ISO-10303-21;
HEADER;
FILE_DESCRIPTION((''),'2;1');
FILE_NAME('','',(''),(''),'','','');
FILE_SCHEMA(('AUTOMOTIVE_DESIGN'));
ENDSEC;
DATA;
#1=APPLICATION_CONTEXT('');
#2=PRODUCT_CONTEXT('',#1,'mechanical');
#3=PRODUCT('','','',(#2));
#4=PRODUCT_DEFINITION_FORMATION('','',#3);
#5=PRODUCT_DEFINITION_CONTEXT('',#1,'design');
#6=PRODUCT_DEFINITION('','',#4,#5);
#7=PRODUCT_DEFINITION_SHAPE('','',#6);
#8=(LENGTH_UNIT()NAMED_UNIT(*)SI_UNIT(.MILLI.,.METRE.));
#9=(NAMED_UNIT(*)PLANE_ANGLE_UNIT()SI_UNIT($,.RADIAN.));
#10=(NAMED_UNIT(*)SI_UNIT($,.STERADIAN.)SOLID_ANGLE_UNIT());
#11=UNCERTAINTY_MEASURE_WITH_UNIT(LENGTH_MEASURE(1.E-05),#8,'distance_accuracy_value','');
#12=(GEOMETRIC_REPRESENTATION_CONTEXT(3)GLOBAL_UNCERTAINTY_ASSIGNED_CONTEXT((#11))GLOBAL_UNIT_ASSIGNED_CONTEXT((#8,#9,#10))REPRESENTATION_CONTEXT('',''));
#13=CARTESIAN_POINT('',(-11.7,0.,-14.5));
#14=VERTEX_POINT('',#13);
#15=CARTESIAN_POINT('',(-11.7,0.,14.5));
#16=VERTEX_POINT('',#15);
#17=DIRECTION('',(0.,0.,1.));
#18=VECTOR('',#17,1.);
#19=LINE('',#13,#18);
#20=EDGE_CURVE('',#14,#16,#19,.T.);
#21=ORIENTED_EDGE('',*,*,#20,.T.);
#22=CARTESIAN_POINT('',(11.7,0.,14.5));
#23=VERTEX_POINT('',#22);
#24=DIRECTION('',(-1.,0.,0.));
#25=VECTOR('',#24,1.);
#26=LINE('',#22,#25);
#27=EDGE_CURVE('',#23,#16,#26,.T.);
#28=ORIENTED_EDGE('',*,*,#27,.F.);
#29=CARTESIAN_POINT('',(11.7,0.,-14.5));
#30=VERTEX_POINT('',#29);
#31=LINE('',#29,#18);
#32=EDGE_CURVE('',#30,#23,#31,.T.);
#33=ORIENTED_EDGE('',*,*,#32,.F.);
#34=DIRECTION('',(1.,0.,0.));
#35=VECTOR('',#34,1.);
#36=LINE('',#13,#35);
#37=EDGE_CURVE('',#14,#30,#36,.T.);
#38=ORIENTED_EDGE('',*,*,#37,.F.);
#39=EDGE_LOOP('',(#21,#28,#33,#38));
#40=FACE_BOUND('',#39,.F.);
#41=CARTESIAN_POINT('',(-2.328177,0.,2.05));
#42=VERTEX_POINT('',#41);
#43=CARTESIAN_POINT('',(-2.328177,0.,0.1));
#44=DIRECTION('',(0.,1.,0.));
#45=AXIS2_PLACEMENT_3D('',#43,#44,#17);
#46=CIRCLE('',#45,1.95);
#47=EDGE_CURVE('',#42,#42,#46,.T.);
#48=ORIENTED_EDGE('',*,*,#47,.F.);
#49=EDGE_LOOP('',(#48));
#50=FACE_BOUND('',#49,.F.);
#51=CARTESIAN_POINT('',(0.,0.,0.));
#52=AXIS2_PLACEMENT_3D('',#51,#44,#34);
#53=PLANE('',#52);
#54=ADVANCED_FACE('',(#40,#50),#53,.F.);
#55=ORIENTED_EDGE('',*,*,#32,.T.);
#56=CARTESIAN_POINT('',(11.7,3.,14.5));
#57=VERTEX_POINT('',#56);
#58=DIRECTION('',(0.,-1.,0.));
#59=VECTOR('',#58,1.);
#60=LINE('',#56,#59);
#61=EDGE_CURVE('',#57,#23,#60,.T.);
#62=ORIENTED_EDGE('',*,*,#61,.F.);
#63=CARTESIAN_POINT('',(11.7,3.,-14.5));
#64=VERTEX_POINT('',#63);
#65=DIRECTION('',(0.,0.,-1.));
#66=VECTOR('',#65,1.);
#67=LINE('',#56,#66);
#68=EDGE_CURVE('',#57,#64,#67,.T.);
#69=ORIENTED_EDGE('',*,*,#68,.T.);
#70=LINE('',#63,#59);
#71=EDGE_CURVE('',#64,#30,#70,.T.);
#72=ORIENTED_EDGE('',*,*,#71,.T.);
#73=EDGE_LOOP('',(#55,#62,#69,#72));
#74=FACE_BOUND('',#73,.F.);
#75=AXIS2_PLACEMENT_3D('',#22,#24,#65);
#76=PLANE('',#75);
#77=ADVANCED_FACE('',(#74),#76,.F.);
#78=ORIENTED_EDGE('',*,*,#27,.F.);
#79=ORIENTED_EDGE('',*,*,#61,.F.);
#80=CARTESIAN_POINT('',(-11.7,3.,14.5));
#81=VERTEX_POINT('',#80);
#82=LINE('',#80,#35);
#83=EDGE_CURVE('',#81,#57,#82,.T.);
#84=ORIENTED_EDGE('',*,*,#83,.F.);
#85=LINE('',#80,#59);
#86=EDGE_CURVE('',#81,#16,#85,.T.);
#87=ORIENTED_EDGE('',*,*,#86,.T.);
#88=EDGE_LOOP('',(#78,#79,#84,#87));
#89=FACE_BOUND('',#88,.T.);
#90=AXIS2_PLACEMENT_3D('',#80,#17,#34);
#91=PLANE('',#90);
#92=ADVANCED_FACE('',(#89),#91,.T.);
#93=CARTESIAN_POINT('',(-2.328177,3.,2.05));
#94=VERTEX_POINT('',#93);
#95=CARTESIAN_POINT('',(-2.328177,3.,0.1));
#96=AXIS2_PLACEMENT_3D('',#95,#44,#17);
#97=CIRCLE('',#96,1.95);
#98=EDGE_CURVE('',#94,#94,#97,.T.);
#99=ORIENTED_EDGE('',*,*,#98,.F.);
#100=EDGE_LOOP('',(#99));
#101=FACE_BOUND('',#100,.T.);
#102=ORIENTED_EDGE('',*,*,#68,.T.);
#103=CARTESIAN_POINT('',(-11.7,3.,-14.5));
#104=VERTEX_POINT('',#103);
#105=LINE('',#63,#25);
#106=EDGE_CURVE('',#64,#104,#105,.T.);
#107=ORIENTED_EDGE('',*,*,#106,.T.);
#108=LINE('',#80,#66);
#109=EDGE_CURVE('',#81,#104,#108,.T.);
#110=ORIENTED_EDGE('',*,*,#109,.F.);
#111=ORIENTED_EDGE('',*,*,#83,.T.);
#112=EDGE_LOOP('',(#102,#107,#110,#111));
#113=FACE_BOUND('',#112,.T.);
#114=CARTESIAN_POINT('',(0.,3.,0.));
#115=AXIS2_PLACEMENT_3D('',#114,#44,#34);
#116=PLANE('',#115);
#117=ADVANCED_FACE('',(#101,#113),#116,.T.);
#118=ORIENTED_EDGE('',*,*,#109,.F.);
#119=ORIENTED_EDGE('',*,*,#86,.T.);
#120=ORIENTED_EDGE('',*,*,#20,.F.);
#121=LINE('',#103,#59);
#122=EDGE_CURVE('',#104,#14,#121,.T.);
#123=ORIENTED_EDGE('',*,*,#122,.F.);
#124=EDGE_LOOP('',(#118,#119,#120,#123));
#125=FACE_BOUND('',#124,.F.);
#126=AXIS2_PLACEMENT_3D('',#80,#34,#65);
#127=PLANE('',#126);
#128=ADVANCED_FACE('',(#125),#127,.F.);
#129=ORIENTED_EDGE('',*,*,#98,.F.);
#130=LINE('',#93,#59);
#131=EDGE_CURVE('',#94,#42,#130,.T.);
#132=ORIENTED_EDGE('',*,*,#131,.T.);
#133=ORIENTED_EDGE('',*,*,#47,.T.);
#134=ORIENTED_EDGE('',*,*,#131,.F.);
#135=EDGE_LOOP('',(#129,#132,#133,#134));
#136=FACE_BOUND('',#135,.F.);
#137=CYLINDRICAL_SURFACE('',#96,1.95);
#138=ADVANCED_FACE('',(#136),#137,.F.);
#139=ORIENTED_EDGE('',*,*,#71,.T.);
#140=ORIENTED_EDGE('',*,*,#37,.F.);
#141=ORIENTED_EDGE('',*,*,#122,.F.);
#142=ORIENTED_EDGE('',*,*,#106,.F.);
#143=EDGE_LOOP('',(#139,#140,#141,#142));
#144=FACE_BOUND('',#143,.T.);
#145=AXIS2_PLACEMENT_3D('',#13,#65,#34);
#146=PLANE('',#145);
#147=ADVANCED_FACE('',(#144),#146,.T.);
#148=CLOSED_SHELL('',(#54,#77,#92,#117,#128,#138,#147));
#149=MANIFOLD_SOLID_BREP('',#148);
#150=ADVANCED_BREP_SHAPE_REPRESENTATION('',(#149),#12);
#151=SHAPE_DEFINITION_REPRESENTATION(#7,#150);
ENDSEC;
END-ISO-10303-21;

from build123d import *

# Parameters (mm, degrees)
BOSS_EXTRUDE1_DEPTH   = 3
BOSS_EXTRUDE1_2_DEPTH = 3
SKETCH1_W             = 23.4
SKETCH1_H             = 29
SKETCH1_R             = 1
BOSS_EXTRUDE1_3_DEPTH = 3
FILLET1_R             = 2
SKETCH5_R             = 1.44
CUT_EXTRUDE3_DEPTH    = 10
CUT_EXTRUDE4_DEPTH    = 10
SKETCH8_R             = 1
CUT_EXTRUDE5_DEPTH    = 10
SKETCH9_R             = 3.026992654
BOSS_EXTRUDE3_DEPTH   = 3
SKETCH10_R            = 1.95
CUT_EXTRUDE6_DEPTH    = 10
SKETCH13_W            = 23.4
SKETCH13_H            = 29
SKETCH13_R            = 1.95
BOSS_EXTRUDE4_DEPTH   = 3


with BuildPart() as part:
    # Sketch1 → Boss-Extrude1 (new body)
    with BuildSketch(Plane(origin=(0, 0, 0), x_dir=(1, 0, 0), z_dir=(0, 1, 0))):
        with BuildLine():
            add(Edge.make_bspline(
                [(19.180993887, -14.242526212), (19.80083761, -12.341053413), (17.899318471, -11.721194585), (17.279474749, -13.622667384), (16.659631026, -15.524140184), (18.561150164, -16.143999012), (19.180993887, -14.242526212)],
                knots=[0, 0, 0, 0, 0.5, 0.5, 0.5, 1, 1, 1, 1], degree=3, weights=[1, 0.333333333, 0.333333333, 1, 0.333333333, 0.333333333, 1]))
        make_face()
    extrude(amount=BOSS_EXTRUDE1_DEPTH)


with BuildPart() as body_2:
    # Sketch1 → Boss-Extrude1 2 (new body)
    with BuildSketch(Plane(origin=(0, 0, 0), x_dir=(1, 0, 0), z_dir=(0, 1, 0))):
        with BuildLine():
            add(Edge.make_bspline(
                [(22.488505608, -4.096188772), (23.108349331, -2.194715972), (21.206830193, -1.574857144), (20.58698647, -3.476329943), (19.967142747, -5.377802743), (21.868661885, -5.997661571), (22.488505608, -4.096188772)],
                knots=[0, 0, 0, 0, 0.5, 0.5, 0.5, 1, 1, 1, 1], degree=3, weights=[1, 0.333333333, 0.333333333, 1, 0.333333333, 0.333333333, 1]))
        make_face()
    extrude(amount=BOSS_EXTRUDE1_2_DEPTH)


with BuildPart() as body_3:
    # Sketch1 → Boss-Extrude1 3 (new body)
    with BuildSketch(Plane(origin=(0, 0, 0), x_dir=(1, 0, 0), z_dir=(0, 1, 0))):
        Rectangle(SKETCH1_W, SKETCH1_H)
        with Locations(Location((9, 8.9, 0), (0, 0, 270))):
            Circle(SKETCH1_R, mode=Mode.SUBTRACT)
        with Locations(Location((9, -8.5, 0), (0, 0, 90))):
            Circle(SKETCH1_R, mode=Mode.SUBTRACT)
        with Locations(Location((-9, -8.5, 0), (0, 0, 90))):
            Circle(SKETCH1_R, mode=Mode.SUBTRACT)
        with Locations(Location((1.7, -8.5, 0), (0, 0, 90))):
            Circle(SKETCH1_R, mode=Mode.SUBTRACT)
    extrude(amount=BOSS_EXTRUDE1_3_DEPTH)

    # Fillet1
    fillet1_edges = [body_3.edges().sort_by_distance(p)[0] for p in [
        (11.7, 1.5, 14.5),
        (-11.7, 1.5, 14.5),
        (-11.7, 1.5, -14.5),
        (11.7, 1.5, -14.5),
    ]]
    fillet(fillet1_edges, radius=FILLET1_R)

    # Sketch5 → Cut-Extrude3 (cut)
    with BuildSketch(Plane.XZ):
        with Locations(Location((-2.145634177, 3.61037734, 0), (0, 0, 270))):
            Circle(SKETCH5_R)
    extrude(amount=-CUT_EXTRUDE3_DEPTH, mode=Mode.SUBTRACT)

    # Sketch8 → Cut-Extrude5 (cut)
    with BuildSketch(Plane(origin=(0, 3, 0), x_dir=(1, 0, 0), z_dir=(0, 1, 0))):
        with Locations(Location((1.7, 8.9, 0), (0, 0, 270))):
            Circle(SKETCH8_R)
        with Locations(Location((-9, 8.9, 0), (0, 0, 270))):
            Circle(SKETCH8_R)
    extrude(amount=-CUT_EXTRUDE5_DEPTH, mode=Mode.SUBTRACT)

    # Sketch9 → Boss-Extrude3 (add)
    with BuildSketch(Plane(origin=(0, 3, 0), x_dir=(1, 0, 0), z_dir=(0, 1, 0))):
        with Locations((-2.145634177, -3.61037734)):
            Circle(SKETCH9_R)
    extrude(amount=-BOSS_EXTRUDE3_DEPTH)

    # Sketch10 → Cut-Extrude6 (cut)
    with BuildSketch(Plane(origin=(0, 3, 0), x_dir=(1, 0, 0), z_dir=(0, 1, 0))):
        with Locations(Location((-2.328177417, -0.1, 0), (0, 0, 270))):
            Circle(SKETCH10_R)
    extrude(amount=-CUT_EXTRUDE6_DEPTH, mode=Mode.SUBTRACT)

    # Sketch13 → Boss-Extrude4 (add)
    with BuildSketch(Plane(origin=(0, 3, 0), x_dir=(1, 0, 0), z_dir=(0, 1, 0))):
        Rectangle(SKETCH13_W, SKETCH13_H)
        with Locations(Location((-2.328177417, -0.1, 0), (0, 0, 270))):
            Circle(SKETCH13_R, mode=Mode.SUBTRACT)
    extrude(amount=-BOSS_EXTRUDE4_DEPTH)


with BuildPart() as cut_extrude4_tool:
    # Sketch7 → Cut-Extrude4 (new body)
    with BuildSketch(Plane(origin=(0, 3, 0), x_dir=(1, 0, 0), z_dir=(0, 1, 0))):
        with BuildLine():
            add(Edge.make_bspline(
                [(19.180993887, -14.242526212), (19.80083761, -12.341053413), (17.899318471, -11.721194585), (17.279474749, -13.622667384), (16.659631026, -15.524140184), (18.561150164, -16.143999012), (19.180993887, -14.242526212)],
                knots=[0, 0, 0, 0, 0.5, 0.5, 0.5, 1, 1, 1, 1], degree=3, weights=[1, 0.333333333, 0.333333333, 1, 0.333333333, 0.333333333, 1]))
        make_face()
        with BuildLine():
            add(Edge.make_bspline(
                [(22.488505608, -4.096188772), (23.108349331, -2.194715972), (21.206830193, -1.574857144), (20.58698647, -3.476329943), (19.967142747, -5.377802743), (21.868661885, -5.997661571), (22.488505608, -4.096188772)],
                knots=[0, 0, 0, 0, 0.5, 0.5, 0.5, 1, 1, 1, 1], degree=3, weights=[1, 0.333333333, 0.333333333, 1, 0.333333333, 0.333333333, 1]))
        make_face()
    extrude(amount=-CUT_EXTRUDE4_DEPTH)


with BuildPart() as part_1:
    add(part.part)

    # Cut-Extrude4: cut by cut_extrude4_tool
    add(cut_extrude4_tool.part, mode=Mode.SUBTRACT)


with BuildPart() as body_2_1:
    add(body_2.part)

    # Cut-Extrude4: cut by cut_extrude4_tool
    add(cut_extrude4_tool.part, mode=Mode.SUBTRACT)


solid = body_3.part
